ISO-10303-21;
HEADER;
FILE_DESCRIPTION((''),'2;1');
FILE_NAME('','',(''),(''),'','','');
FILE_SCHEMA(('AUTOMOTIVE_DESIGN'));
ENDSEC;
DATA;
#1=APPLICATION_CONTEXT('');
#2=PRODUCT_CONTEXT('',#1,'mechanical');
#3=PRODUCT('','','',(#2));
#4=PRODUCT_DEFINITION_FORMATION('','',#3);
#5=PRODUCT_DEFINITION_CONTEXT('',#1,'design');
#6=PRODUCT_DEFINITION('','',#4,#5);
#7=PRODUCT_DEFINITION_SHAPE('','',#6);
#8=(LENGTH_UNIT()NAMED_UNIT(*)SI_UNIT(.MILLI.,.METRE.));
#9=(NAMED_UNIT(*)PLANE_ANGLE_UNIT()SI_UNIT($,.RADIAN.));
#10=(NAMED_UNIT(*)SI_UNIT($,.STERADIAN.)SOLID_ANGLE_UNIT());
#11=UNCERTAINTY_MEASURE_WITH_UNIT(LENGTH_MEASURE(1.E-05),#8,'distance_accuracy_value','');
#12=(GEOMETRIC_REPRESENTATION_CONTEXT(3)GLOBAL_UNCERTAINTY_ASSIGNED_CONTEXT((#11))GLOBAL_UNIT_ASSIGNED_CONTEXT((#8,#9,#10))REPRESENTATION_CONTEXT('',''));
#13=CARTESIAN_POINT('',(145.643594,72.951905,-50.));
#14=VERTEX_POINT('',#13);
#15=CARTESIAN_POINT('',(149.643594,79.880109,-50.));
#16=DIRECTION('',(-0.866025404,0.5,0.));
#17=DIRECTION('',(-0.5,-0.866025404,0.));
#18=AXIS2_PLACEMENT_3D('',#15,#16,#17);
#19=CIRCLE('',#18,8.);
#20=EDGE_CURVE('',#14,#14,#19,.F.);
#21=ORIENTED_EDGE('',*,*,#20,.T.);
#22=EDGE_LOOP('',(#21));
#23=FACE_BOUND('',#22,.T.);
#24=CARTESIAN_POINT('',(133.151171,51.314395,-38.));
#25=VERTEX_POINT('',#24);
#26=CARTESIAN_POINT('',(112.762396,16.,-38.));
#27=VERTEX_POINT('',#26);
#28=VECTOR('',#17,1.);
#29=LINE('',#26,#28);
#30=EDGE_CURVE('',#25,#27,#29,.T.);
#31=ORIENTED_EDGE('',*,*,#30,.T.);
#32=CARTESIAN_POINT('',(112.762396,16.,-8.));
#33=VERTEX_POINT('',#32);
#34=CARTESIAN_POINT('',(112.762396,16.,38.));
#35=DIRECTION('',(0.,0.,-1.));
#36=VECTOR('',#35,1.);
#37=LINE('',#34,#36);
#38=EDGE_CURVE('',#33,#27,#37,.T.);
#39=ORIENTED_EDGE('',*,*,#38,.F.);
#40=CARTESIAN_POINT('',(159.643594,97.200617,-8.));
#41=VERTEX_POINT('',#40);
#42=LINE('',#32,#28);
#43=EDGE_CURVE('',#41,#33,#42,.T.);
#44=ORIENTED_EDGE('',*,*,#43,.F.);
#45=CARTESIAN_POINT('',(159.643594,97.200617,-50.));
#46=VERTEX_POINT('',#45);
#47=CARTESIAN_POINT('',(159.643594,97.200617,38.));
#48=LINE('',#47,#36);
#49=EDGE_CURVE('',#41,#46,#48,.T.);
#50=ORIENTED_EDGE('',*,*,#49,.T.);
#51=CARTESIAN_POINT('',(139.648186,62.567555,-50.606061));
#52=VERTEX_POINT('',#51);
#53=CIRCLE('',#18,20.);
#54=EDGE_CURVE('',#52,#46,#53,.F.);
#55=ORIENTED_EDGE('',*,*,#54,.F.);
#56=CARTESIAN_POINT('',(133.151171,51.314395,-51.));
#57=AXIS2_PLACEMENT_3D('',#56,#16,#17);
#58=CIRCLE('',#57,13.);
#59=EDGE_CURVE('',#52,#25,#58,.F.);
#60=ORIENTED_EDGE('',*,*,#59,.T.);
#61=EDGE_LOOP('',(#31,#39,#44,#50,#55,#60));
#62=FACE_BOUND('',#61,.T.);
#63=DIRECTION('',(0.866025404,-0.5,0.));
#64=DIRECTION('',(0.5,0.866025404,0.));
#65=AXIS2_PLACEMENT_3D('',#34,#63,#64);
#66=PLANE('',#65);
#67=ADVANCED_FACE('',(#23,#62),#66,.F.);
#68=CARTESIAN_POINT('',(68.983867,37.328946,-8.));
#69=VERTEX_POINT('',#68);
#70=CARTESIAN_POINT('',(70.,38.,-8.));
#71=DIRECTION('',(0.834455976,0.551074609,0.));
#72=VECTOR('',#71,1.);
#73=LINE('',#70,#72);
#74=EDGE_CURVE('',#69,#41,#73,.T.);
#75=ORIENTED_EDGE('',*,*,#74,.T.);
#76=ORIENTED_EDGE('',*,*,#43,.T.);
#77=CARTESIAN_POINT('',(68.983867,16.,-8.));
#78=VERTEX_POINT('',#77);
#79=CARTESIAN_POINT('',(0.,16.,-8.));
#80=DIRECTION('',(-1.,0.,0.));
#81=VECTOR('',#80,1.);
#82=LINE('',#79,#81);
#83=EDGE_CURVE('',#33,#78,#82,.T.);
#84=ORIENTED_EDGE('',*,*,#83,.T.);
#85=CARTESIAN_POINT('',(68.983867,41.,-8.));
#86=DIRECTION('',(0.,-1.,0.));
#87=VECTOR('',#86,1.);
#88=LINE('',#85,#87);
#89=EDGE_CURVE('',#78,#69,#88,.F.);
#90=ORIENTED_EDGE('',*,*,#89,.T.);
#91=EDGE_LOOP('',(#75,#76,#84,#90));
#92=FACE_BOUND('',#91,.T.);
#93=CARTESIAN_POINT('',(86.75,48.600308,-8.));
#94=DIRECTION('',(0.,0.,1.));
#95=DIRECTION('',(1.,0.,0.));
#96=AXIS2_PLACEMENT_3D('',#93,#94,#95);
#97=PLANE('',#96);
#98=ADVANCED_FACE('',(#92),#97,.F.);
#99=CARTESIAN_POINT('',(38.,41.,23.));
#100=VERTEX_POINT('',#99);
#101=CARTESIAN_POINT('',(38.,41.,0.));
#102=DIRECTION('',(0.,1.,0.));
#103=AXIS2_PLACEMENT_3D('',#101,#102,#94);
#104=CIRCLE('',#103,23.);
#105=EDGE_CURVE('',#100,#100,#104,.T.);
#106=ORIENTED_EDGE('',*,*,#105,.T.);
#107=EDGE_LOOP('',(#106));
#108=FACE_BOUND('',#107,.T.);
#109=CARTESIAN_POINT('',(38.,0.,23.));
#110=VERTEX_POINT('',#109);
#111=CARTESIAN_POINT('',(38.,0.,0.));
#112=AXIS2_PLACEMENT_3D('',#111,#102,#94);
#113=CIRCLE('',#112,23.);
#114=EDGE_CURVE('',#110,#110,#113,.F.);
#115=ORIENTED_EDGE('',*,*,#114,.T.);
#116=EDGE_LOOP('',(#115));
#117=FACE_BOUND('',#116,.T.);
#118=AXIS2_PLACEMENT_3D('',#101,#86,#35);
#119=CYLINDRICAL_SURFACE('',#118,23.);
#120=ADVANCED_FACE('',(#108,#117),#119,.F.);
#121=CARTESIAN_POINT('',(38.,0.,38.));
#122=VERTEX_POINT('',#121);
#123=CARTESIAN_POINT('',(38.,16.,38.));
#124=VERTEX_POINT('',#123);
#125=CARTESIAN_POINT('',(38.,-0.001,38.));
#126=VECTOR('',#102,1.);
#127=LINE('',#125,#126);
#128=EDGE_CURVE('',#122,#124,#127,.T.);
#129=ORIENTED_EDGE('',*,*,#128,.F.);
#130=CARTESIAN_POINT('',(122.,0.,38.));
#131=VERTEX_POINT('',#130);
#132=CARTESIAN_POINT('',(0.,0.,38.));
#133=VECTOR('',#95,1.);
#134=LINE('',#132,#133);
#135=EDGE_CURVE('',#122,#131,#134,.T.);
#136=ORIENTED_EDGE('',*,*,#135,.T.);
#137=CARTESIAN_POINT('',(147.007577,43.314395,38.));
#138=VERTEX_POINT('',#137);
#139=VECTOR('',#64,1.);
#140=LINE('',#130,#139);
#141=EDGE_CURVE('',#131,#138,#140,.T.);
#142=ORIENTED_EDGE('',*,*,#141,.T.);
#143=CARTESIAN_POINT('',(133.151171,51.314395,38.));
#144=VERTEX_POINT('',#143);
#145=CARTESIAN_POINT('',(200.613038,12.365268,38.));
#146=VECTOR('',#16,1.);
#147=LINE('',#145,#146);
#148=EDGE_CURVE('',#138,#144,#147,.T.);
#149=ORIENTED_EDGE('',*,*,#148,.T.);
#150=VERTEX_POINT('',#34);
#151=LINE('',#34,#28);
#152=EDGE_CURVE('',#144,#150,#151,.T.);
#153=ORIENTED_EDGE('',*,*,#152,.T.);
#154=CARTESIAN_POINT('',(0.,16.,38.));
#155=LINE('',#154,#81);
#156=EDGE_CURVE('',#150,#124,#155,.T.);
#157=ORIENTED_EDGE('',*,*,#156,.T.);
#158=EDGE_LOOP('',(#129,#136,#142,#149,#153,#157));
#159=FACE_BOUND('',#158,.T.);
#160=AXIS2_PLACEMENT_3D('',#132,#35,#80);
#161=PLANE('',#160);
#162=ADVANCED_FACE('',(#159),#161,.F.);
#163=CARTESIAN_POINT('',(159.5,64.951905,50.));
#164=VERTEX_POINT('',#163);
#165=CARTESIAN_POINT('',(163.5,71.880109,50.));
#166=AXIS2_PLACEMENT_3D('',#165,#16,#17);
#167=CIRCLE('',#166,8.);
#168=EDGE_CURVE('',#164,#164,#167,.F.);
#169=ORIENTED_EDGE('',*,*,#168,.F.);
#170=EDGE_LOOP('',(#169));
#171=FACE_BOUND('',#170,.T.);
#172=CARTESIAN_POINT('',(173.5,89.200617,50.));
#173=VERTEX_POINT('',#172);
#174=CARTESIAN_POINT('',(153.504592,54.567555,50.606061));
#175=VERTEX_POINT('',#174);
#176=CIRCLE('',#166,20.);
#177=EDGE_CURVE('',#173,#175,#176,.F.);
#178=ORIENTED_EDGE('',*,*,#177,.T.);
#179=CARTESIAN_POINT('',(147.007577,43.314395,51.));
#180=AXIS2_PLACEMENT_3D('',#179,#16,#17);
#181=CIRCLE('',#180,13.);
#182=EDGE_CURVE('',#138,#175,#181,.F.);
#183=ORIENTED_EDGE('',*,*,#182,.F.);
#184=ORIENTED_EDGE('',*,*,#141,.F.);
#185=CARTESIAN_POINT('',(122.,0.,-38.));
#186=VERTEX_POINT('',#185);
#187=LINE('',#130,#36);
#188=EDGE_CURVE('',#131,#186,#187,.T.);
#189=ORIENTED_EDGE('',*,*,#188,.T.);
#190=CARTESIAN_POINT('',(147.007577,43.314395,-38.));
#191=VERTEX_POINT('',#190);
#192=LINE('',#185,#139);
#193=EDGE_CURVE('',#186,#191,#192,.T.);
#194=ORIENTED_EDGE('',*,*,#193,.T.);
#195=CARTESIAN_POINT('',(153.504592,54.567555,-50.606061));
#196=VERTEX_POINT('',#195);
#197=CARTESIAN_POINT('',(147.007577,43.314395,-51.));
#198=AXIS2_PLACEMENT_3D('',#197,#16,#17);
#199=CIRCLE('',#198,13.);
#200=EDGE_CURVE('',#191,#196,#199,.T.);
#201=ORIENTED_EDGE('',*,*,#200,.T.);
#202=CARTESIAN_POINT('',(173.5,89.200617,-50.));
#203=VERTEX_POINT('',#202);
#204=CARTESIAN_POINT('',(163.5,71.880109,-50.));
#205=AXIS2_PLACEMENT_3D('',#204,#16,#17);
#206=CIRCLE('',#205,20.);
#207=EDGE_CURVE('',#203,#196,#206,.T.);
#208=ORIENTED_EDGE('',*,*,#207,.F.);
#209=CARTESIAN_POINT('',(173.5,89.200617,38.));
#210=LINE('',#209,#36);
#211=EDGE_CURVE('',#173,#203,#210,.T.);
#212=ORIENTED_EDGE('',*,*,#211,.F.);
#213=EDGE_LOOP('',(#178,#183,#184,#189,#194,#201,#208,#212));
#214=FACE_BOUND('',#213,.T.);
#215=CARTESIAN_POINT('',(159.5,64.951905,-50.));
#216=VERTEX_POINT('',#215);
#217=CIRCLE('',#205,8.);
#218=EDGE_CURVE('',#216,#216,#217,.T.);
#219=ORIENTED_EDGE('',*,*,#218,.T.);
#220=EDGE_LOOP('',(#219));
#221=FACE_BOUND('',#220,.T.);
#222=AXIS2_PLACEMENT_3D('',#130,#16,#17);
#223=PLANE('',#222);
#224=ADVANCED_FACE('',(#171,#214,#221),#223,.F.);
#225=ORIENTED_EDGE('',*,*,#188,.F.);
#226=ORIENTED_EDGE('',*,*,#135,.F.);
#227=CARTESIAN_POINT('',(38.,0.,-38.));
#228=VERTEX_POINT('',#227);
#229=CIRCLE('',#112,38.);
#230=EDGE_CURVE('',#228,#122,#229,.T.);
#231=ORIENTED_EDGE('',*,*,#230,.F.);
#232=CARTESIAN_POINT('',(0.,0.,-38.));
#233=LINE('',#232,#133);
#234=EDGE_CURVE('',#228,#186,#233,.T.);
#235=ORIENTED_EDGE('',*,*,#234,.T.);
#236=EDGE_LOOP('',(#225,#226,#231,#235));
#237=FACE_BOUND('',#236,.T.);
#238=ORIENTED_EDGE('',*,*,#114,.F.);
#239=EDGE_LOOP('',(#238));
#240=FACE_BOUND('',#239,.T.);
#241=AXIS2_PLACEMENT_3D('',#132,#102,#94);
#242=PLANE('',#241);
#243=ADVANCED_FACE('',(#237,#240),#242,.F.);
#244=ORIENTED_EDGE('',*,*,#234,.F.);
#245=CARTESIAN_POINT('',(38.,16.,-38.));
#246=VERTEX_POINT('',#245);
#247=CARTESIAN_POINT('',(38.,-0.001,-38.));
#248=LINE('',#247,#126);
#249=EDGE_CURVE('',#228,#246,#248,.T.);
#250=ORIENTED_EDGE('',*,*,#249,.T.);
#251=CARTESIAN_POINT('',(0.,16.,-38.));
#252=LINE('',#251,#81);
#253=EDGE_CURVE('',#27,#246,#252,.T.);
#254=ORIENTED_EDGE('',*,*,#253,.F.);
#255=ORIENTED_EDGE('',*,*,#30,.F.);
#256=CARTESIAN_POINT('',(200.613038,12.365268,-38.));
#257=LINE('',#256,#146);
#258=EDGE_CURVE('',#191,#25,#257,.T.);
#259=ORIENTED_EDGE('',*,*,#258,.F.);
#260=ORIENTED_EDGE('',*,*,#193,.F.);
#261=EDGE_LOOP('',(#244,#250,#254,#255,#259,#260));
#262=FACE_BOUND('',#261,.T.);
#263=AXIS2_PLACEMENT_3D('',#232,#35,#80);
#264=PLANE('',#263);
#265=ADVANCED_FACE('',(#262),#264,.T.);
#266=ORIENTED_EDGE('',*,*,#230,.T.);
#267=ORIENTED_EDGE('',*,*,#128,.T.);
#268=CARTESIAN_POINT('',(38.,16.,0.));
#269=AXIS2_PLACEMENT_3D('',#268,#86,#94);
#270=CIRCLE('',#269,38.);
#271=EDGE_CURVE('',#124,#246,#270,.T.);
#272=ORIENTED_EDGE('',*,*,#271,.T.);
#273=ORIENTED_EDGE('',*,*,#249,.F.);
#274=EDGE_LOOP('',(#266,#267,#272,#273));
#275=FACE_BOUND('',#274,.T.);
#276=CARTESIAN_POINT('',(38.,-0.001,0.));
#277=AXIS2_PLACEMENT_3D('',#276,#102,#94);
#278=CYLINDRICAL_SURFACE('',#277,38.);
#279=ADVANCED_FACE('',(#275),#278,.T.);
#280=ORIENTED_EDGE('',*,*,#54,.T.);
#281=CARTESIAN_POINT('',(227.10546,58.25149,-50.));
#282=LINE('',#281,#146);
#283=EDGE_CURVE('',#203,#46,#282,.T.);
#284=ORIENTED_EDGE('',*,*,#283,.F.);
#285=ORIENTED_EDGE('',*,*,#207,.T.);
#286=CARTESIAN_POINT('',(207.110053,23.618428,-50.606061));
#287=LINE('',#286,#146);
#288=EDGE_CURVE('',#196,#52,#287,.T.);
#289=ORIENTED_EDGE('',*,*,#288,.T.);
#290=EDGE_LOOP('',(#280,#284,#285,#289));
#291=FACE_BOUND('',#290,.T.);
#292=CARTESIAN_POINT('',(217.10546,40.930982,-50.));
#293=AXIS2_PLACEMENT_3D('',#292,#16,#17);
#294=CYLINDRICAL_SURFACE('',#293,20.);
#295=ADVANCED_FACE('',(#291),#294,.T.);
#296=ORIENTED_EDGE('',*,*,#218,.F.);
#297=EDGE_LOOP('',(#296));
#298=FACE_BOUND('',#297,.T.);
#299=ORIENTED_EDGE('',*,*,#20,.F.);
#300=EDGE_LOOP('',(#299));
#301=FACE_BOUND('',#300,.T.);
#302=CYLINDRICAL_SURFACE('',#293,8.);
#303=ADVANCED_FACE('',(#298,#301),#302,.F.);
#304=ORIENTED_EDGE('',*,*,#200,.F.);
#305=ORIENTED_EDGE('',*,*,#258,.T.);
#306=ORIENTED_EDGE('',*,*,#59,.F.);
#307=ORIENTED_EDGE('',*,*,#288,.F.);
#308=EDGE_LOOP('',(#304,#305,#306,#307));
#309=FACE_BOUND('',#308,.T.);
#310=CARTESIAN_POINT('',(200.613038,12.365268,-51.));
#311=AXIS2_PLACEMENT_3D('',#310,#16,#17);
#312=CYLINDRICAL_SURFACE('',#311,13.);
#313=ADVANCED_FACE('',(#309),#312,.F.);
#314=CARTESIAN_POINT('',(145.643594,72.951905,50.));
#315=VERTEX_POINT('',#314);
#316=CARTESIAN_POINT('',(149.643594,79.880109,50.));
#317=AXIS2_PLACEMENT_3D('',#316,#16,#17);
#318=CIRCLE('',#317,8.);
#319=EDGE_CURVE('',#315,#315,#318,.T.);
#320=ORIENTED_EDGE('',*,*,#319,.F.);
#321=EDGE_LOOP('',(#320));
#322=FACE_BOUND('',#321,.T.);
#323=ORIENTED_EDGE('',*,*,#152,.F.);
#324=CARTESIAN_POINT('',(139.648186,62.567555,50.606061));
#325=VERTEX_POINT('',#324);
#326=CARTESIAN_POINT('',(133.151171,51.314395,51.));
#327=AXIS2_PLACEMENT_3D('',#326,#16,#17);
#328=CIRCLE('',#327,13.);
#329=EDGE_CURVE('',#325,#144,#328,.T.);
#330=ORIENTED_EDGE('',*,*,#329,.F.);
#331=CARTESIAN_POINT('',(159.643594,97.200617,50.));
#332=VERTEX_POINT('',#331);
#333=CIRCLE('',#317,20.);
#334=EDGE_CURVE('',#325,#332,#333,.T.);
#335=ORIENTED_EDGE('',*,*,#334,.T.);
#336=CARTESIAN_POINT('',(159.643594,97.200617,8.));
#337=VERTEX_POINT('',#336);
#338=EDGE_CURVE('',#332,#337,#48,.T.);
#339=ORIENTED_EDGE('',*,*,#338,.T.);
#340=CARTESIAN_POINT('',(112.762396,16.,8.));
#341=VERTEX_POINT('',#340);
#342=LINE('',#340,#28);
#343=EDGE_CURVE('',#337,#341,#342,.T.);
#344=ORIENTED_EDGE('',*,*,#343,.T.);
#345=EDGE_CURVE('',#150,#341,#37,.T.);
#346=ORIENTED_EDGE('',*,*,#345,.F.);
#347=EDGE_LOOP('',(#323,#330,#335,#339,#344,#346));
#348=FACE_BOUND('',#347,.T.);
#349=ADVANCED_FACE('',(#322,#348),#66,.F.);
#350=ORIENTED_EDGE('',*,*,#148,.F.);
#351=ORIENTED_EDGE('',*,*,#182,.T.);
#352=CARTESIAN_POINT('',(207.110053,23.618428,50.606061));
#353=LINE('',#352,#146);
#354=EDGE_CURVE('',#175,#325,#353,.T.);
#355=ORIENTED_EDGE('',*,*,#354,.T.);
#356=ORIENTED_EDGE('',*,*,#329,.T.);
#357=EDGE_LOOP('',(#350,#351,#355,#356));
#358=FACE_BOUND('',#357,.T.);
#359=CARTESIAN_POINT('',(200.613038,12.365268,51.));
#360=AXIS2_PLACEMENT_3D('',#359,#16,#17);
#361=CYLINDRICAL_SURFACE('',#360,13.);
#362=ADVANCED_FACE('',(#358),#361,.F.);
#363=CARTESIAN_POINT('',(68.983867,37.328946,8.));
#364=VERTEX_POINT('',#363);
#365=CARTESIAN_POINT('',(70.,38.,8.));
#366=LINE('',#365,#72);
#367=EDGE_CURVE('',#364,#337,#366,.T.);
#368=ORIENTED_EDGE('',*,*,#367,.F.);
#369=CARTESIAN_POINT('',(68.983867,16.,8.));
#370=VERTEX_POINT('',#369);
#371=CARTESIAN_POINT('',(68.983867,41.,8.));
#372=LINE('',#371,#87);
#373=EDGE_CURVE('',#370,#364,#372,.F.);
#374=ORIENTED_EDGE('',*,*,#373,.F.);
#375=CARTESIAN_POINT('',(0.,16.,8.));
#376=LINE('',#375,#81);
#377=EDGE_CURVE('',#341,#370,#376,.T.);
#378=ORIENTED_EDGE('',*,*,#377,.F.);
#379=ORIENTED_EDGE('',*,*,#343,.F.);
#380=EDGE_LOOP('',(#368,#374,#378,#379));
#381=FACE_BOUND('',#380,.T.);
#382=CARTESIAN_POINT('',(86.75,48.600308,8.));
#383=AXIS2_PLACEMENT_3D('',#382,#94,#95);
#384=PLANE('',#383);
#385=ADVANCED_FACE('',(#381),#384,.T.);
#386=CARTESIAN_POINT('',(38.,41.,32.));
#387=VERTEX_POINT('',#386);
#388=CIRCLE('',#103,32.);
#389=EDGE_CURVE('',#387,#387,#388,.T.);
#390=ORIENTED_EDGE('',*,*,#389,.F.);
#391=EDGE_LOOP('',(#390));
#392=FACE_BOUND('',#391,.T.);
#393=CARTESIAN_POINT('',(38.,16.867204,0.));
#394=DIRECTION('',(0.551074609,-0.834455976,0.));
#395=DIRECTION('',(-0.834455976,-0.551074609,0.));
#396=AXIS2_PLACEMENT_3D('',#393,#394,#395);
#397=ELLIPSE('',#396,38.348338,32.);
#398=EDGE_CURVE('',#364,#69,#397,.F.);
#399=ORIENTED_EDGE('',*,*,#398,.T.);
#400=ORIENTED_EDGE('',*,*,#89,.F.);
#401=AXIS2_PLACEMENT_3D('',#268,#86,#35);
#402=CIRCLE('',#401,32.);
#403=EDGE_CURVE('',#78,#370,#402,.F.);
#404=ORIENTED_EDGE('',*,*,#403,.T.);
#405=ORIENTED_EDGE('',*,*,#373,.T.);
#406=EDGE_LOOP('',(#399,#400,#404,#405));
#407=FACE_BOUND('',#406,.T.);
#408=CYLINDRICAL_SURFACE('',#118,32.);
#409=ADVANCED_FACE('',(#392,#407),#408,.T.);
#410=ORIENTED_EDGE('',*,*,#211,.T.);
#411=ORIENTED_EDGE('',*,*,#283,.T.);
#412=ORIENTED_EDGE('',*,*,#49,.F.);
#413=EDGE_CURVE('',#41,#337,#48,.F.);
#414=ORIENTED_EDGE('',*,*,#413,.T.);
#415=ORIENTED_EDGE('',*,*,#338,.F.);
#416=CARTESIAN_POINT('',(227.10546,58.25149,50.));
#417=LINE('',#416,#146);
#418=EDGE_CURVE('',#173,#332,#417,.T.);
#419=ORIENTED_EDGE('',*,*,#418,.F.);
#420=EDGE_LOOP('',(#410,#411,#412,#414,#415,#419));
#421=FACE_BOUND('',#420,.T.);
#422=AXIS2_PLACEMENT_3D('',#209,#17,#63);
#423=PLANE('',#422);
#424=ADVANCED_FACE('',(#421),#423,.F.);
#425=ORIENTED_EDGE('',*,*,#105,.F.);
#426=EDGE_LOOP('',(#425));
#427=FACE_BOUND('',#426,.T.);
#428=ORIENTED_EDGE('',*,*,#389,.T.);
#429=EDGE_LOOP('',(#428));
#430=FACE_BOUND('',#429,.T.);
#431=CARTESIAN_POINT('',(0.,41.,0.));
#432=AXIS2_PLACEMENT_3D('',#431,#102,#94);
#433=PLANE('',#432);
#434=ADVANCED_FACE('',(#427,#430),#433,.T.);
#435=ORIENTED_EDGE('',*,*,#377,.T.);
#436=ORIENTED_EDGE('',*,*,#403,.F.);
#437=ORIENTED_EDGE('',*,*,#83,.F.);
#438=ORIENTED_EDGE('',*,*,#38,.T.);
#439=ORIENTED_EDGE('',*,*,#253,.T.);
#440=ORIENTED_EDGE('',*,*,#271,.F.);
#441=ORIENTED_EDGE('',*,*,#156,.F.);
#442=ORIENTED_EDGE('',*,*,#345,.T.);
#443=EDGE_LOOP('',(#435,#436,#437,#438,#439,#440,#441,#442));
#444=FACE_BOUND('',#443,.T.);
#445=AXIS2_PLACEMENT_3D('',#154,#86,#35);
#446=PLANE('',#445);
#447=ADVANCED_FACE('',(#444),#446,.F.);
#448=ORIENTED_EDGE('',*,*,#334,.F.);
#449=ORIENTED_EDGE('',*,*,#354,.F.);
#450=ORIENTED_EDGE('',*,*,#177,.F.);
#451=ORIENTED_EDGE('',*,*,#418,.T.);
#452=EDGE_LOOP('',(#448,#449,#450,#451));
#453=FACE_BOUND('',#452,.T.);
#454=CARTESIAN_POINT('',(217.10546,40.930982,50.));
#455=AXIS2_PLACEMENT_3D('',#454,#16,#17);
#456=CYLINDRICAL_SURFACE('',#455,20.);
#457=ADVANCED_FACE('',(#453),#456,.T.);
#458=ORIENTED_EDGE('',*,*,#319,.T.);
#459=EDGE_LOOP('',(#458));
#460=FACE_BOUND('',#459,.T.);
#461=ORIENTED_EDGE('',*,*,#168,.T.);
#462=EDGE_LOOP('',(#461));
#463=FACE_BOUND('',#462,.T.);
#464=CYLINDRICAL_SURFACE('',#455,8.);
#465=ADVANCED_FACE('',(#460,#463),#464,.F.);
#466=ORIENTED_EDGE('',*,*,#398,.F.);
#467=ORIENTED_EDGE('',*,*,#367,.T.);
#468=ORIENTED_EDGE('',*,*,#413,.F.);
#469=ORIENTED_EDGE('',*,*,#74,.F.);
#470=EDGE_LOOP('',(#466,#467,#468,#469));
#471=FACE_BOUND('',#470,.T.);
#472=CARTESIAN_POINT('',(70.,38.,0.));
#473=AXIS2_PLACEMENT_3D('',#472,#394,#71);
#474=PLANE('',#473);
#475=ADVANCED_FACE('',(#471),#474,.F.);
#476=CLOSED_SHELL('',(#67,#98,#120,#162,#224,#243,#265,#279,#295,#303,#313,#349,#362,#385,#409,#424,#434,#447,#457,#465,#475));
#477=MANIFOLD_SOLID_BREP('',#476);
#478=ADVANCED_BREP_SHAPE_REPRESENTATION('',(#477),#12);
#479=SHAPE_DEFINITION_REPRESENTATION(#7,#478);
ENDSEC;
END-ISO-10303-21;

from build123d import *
from build123d.topology import SkipClean

# Parameters (mm, degrees)
EXTRUDE_1_DEPTH     = 38
SKETCH_3_R          = 8
EXTRUDE_2_DEPTH     = 16
EXTRUDE_3_DEPTH     = 25
CUT_EXTRUDE_1_REACH = 205.95
SKETCH_5_4_R        = 23
CUT_EXTRUDE_2_REACH = 205.95
RIB_1_REACH         = 212.832
SKETCH_9_WALL_W     = 531.09195721
SKETCH_9_WALL_H     = 16


with BuildPart() as part:
    # 草图1 → 凸台-拉伸1 (new, symmetric)
    with BuildSketch(Plane.XY):
        Polygon((0, 0), (122, 0), (173.5, 89.20061659), (159.643593539, 97.20061659), (112.762395693, 16), (0, 16), align=None)
    extrude(amount=EXTRUDE_1_DEPTH, both=True)

    # 草图3 → 凸台-拉伸2 (add)
    # profile 1 of 2: a face of its own
    with BuildSketch(Plane(origin=(77.643593539, -44.827549631, 0), x_dir=(0, 0, 1), z_dir=(-0.86602540378444, 0.49999999999999784, 0))):
        with BuildLine():
            Line((-38, 164), (-50, 164))
            ThreePointArc((-50, 164), (-69.997703657, 144.3030651), (-50.606060606, 124.009184845))
            ThreePointArc((-50.606060606, 124.009184845), (-41.669372687, 120.067193105), (-38, 111.015154995))
            Line((-38, 111.015154995), (-38, 164))
        make_face()
        with Locations(Location((-50, 144, 0), (0, 0, 270))):
            Circle(SKETCH_3_R, mode=Mode.SUBTRACT)
    # profile 2 of 2: a face of its own
    with BuildSketch(Plane(origin=(77.643593539, -44.827549631, 0), x_dir=(0, 0, 1), z_dir=(-0.86602540378444, 0.49999999999999784, 0))):
        with BuildLine():
            Line((50, 164), (38, 164))
            Line((38, 164), (38, 111.015154995))
            ThreePointArc((38, 111.015154995), (41.669372687, 120.067193105), (50.606060606, 124.009184845))
            ThreePointArc((50.606060606, 124.009184845), (69.997703657, 144.3030651), (50, 164))
        make_face()
        with Locations(Location((50, 144, 0), (0, 0, 270))):
            Circle(SKETCH_3_R, mode=Mode.SUBTRACT)
    extrude(amount=-EXTRUDE_2_DEPTH)

    # 草图5 → 凸台-拉伸3 (add)
    with BuildSketch(Plane(origin=(0, 16, 0), x_dir=(1, 0, 0), z_dir=(0, 1, 0))):
        with BuildLine():
            ThreePointArc((15, 0), (38, 23), (61, 0))
            Line((61, 0), (70, 0))
            ThreePointArc((70, 0), (38, 32), (6, 0))
            Line((6, 0), (15, 0))
        make_face()
        with BuildLine():
            Line((70, 0), (61, 0))
            ThreePointArc((61, 0), (38, -23), (15, 0))
            Line((15, 0), (6, 0))
            ThreePointArc((6, 0), (38, -32), (70, 0))
        make_face()
    extrude(amount=EXTRUDE_3_DEPTH)

    # 草图5<4> → 切除-拉伸1 (cut, up to next)
    with BuildSketch(Plane(origin=(0, 16, 0), x_dir=(1, 0, 0), z_dir=(0, 1, 0)), mode=Mode.PRIVATE) as cut_extrude_1_sk1:
        with Locations(Location((38, 0, 0), (0, 0, 270))):
            Circle(SKETCH_5_4_R)
    cut_extrude_1_tool1 = extrude(cut_extrude_1_sk1.sketch, amount=-CUT_EXTRUDE_1_REACH, mode=Mode.PRIVATE) & part.part
    add(cut_extrude_1_tool1.solids().sort_by_distance((38, 16, 0))[0], mode=Mode.SUBTRACT)

    # 草图6 → 切除-拉伸2 (cut, up to next)
    with BuildSketch(Plane(origin=(0, 16, 0), x_dir=(1, 0, 0), z_dir=(0, 1, 0)), mode=Mode.PRIVATE) as cut_extrude_2_sk1:
        with BuildLine():
            Line((38, 38), (0, 38))
            Line((0, 38), (0, 0))
            ThreePointArc((0, 0), (11.129942315, 26.870057685), (38, 38))
        make_face()
    cut_extrude_2_tool1 = extrude(cut_extrude_2_sk1.sketch, amount=-CUT_EXTRUDE_2_REACH, mode=Mode.PRIVATE) & part.part
    cut_extrude_2 = cut_extrude_2_tool1.solids().sort_by_distance((8.487982, 16, -29.512018))[0]
    add(cut_extrude_2, mode=Mode.SUBTRACT)

    # 镜向1: 切除-拉伸2 across plane
    with SkipClean():  # the faces are left unmerged after this step: merging them gives an invalid solid
        add(cut_extrude_2.mirror(Plane.XY), mode=Mode.SUBTRACT)

    # 草图9 wall → 筋1 (add, up to next)
    with BuildSketch(Plane(origin=(114.821796769, 67.600308295, 0), x_dir=(0.834455975571, 0.551074609136, 0), z_dir=(-0.551074609136, 0.834455975571, 0)), mode=Mode.PRIVATE) as rib_1_sk1:
        Rectangle(SKETCH_9_WALL_W, SKETCH_9_WALL_H)
    rib_1_tool1 = extrude(rib_1_sk1.sketch, amount=-RIB_1_REACH, mode=Mode.PRIVATE) - part.part
    add(rib_1_tool1.solids().sort_by_distance((114.821796769, 67.600308295, 0))[0])


solid = part.part
